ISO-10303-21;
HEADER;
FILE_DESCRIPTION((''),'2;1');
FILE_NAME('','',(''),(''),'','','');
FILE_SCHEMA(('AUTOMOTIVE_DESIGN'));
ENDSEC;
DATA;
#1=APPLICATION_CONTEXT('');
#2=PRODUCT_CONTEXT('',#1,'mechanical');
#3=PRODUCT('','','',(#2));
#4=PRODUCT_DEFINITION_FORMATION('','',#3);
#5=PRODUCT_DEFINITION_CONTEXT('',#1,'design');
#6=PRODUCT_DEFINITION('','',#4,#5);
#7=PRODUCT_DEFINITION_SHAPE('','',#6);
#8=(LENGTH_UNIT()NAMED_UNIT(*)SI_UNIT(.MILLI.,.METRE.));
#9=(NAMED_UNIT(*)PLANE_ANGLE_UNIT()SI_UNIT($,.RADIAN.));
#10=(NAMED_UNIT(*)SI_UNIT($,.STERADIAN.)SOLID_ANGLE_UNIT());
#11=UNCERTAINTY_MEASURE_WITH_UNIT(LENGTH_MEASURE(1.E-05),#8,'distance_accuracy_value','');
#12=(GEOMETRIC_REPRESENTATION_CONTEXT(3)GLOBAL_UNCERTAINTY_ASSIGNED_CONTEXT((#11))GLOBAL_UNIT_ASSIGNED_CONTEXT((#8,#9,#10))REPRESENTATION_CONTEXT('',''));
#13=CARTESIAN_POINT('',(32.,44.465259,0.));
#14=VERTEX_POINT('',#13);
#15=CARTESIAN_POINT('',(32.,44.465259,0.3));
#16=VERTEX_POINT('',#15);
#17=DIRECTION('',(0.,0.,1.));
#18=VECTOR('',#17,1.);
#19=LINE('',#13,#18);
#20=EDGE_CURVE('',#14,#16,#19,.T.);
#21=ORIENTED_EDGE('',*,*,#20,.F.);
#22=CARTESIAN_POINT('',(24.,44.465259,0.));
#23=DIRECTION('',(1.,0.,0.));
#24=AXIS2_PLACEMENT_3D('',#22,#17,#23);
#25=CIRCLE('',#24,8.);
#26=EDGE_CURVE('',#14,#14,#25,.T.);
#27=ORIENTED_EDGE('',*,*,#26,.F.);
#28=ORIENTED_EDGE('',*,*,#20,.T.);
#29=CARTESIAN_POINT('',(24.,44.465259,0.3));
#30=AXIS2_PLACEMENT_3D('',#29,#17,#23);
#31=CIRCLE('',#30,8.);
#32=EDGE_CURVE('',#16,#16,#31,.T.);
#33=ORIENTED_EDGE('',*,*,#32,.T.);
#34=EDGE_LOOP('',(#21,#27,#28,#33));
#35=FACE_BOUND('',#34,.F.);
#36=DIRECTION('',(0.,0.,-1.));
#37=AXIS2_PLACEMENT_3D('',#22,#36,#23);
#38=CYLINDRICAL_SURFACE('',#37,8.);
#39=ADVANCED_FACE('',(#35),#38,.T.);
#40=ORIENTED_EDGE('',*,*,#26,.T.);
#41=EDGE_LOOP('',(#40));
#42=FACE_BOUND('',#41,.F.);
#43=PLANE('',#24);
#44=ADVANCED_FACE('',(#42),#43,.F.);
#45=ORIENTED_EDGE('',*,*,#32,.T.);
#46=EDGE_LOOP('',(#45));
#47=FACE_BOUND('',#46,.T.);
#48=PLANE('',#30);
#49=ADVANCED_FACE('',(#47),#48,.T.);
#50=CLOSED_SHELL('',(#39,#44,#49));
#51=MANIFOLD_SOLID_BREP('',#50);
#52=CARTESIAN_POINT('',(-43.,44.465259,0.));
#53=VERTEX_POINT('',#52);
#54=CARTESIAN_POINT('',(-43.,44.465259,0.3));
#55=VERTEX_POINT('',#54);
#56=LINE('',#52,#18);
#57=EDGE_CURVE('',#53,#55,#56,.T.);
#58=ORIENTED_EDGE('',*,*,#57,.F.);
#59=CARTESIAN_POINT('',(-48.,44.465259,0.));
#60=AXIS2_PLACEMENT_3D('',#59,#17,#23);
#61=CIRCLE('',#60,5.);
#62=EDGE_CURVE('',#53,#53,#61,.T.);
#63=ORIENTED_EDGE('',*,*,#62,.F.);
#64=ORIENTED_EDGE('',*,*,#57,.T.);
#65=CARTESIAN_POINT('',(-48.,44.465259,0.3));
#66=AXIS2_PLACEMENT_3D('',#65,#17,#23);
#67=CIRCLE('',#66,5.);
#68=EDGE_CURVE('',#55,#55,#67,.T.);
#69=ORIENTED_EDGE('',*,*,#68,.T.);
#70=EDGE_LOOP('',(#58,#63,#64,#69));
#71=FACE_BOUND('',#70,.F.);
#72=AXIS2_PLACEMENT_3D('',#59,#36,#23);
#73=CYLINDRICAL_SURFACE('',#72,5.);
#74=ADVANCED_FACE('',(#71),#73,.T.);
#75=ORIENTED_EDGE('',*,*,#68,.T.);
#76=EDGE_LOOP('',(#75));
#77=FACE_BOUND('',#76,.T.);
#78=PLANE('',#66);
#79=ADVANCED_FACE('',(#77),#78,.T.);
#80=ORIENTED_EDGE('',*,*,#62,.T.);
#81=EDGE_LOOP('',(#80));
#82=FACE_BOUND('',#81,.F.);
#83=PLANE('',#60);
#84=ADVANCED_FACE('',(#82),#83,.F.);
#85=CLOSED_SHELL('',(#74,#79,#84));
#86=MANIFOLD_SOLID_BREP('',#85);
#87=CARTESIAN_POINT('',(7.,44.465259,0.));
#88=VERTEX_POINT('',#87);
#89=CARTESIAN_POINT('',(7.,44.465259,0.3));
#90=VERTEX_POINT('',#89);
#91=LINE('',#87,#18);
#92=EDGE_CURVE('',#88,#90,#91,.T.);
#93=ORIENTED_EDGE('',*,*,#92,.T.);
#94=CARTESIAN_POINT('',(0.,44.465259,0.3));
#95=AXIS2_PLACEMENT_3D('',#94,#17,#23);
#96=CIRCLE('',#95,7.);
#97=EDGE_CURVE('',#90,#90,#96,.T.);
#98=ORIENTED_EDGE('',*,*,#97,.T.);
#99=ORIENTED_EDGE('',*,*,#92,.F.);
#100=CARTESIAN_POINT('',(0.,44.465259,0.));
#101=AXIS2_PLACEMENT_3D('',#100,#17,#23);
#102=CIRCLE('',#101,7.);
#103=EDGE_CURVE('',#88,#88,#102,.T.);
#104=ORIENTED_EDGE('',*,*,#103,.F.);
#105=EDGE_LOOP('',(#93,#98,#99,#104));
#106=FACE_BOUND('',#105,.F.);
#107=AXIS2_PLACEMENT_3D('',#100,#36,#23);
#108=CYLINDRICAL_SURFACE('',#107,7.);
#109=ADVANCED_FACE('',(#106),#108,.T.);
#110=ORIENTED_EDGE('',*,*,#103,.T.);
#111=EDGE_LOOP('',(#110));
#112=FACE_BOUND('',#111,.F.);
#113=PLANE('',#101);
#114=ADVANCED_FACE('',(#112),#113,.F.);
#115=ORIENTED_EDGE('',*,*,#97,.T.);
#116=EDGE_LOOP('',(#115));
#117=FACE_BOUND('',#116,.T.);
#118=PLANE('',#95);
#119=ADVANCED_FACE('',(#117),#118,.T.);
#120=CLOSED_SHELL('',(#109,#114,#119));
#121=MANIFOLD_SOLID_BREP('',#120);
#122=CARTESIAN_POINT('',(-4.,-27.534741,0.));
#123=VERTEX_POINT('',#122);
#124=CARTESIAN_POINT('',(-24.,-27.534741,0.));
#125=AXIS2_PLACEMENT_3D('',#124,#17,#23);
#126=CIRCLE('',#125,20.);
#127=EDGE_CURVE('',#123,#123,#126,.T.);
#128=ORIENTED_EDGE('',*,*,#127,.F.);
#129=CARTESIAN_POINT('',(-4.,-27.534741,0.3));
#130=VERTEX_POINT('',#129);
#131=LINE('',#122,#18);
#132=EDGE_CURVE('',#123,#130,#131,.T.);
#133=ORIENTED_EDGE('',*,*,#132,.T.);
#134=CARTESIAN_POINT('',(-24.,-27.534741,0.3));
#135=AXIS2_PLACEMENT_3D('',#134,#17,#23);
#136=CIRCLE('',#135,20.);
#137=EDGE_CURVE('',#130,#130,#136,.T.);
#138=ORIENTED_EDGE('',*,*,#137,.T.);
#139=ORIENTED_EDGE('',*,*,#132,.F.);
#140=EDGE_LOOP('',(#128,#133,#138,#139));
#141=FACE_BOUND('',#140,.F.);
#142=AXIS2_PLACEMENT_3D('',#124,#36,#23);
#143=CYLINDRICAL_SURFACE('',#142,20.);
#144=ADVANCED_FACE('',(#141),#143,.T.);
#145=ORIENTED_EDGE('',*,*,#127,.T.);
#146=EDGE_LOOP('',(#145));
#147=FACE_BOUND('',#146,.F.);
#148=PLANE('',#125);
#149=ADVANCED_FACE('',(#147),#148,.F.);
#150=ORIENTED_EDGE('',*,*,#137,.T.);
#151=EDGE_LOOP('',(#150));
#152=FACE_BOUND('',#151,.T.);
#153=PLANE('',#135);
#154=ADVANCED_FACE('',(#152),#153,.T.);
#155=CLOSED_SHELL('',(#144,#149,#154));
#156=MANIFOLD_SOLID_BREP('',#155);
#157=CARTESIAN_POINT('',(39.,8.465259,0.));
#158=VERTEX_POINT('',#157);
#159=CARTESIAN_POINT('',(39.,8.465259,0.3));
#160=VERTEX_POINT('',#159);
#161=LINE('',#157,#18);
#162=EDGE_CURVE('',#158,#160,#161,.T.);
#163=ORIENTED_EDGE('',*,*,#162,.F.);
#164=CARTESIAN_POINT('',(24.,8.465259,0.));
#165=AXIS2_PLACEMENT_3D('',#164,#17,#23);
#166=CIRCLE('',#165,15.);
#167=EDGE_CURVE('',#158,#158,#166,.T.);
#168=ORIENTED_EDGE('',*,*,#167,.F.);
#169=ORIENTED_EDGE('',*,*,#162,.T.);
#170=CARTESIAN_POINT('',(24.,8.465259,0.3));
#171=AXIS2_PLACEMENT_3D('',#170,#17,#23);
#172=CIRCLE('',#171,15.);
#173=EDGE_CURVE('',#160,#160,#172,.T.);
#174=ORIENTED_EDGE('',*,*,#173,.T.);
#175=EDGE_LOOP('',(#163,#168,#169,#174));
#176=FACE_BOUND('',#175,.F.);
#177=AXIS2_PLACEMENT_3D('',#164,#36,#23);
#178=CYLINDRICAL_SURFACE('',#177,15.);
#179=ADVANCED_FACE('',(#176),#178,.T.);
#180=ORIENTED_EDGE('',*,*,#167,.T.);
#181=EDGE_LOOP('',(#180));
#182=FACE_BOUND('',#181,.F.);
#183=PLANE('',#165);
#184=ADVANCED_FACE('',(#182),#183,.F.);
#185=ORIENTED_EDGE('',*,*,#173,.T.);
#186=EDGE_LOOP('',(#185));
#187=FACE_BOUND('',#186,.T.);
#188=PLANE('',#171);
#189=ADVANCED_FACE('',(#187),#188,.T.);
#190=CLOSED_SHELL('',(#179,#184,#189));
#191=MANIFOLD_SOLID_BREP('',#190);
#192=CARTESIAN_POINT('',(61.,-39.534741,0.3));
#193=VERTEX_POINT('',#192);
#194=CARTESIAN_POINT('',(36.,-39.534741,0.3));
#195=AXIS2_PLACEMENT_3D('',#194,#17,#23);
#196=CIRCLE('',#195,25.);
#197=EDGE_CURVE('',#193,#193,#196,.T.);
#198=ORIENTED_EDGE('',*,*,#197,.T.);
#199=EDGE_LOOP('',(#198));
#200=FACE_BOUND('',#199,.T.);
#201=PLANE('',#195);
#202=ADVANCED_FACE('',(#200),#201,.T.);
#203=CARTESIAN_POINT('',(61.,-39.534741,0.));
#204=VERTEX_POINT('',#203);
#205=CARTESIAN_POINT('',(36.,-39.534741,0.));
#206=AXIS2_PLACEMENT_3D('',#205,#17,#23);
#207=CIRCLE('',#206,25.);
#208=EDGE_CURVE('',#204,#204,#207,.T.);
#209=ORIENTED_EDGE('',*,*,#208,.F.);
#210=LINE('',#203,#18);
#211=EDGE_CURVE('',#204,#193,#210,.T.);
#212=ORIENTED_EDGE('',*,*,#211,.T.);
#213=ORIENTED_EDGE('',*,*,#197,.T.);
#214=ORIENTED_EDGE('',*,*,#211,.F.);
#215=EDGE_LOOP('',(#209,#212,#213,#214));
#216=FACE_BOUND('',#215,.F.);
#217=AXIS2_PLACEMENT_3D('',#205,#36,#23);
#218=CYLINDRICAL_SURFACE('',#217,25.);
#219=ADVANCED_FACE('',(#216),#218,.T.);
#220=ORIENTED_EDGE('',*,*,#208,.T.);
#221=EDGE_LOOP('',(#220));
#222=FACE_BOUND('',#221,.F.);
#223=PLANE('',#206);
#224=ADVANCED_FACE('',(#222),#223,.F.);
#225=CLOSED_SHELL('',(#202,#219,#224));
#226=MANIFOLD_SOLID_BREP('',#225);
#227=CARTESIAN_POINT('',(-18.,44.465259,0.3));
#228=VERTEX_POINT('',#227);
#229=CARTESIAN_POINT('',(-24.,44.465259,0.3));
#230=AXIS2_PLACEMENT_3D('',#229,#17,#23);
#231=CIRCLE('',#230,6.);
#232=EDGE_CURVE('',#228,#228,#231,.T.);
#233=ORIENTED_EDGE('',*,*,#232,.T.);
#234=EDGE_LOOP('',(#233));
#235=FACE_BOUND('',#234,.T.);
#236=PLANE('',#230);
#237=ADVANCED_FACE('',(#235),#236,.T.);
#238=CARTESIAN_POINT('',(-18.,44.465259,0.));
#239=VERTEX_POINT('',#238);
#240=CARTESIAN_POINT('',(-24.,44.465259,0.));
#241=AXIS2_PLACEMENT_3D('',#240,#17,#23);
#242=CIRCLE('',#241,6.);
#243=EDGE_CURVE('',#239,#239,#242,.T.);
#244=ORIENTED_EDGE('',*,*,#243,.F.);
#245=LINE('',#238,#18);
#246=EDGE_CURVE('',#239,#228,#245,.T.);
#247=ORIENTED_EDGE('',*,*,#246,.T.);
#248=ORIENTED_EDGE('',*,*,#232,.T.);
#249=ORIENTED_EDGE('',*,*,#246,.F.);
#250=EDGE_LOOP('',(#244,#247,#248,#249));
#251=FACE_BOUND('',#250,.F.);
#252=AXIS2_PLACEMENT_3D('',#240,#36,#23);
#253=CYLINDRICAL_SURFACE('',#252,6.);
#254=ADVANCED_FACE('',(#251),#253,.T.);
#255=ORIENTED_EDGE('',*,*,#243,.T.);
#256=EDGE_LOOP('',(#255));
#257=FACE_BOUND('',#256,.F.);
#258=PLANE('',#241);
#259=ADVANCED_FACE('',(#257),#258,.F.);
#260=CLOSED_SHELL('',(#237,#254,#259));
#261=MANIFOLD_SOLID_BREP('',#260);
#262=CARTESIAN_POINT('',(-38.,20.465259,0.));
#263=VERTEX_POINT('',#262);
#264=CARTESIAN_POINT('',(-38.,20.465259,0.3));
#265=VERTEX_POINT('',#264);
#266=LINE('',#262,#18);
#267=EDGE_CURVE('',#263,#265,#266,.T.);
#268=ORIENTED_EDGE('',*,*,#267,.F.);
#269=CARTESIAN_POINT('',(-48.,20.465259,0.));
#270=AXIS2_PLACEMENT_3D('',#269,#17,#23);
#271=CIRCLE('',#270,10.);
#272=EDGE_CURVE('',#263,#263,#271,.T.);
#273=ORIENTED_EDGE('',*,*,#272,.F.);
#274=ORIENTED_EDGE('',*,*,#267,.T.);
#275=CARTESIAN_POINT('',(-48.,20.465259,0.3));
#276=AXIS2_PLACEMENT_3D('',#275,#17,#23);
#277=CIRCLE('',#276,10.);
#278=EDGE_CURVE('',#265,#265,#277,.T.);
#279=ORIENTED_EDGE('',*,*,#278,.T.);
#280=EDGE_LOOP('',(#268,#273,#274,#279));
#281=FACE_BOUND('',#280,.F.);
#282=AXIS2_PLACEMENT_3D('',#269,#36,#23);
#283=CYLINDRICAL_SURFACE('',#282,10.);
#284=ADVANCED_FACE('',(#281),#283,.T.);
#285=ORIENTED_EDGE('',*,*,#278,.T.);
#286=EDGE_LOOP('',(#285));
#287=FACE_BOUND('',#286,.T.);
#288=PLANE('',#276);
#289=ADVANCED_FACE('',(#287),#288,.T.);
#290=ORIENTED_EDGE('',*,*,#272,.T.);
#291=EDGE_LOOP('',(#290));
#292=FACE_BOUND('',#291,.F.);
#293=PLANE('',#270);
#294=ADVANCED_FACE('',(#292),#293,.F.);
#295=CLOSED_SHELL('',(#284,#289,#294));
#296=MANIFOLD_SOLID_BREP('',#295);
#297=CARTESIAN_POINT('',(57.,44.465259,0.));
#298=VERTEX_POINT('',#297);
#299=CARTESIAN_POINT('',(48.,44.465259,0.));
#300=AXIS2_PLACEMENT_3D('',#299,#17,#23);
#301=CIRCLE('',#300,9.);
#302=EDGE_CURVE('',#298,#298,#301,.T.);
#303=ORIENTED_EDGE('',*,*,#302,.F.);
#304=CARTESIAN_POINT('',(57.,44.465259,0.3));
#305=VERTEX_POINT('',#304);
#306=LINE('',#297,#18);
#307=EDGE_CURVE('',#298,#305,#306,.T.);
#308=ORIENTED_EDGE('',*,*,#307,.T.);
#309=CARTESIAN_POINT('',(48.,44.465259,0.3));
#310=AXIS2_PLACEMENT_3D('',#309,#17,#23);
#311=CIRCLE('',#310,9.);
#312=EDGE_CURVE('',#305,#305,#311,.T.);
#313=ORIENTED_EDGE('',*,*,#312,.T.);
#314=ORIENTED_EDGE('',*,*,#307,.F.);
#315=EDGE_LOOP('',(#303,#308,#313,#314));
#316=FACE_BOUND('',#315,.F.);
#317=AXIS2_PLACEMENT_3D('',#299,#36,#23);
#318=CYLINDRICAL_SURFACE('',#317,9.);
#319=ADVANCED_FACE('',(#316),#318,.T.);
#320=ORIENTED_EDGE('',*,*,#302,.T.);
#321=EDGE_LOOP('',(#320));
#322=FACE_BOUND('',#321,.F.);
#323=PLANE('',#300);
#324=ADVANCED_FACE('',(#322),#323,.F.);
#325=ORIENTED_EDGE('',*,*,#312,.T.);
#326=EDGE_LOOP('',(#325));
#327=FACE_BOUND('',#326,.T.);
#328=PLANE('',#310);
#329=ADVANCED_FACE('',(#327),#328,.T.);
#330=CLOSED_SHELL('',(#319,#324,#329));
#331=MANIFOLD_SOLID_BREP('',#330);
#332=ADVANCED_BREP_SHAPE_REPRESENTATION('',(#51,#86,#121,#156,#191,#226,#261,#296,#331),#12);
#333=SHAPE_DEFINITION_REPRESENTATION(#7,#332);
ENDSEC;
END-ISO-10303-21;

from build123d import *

# Parameters (mm, degrees)
F0_R     = 5
F0_R_2   = 10
F0_R_3   = 6
F0_R_4   = 7
F0_R_5   = 8
F0_R_6   = 9
F0_R_7   = 15
F0_R_8   = 20
F0_R_9   = 25
F1_DEPTH = 0.3


with BuildPart() as f1:
    # F0 (on Top) → F1 (new body)
    with BuildSketch(Plane.XY):
        with Locations((-48, 44.465259)):
            Circle(F0_R)
        with Locations((-48, 20.465259)):
            Circle(F0_R_2)
        with Locations((-24, 44.465259)):
            Circle(F0_R_3)
        with Locations((0, 44.465259)):
            Circle(F0_R_4)
        with Locations((24, 44.465259)):
            Circle(F0_R_5)
        with Locations((48, 44.465259)):
            Circle(F0_R_6)
        with Locations((24, 8.465259)):
            Circle(F0_R_7)
        with Locations((-24, -27.534741)):
            Circle(F0_R_8)
        with Locations((36, -39.534741)):
            Circle(F0_R_9)
    extrude(amount=F1_DEPTH)


solid = f1.part
